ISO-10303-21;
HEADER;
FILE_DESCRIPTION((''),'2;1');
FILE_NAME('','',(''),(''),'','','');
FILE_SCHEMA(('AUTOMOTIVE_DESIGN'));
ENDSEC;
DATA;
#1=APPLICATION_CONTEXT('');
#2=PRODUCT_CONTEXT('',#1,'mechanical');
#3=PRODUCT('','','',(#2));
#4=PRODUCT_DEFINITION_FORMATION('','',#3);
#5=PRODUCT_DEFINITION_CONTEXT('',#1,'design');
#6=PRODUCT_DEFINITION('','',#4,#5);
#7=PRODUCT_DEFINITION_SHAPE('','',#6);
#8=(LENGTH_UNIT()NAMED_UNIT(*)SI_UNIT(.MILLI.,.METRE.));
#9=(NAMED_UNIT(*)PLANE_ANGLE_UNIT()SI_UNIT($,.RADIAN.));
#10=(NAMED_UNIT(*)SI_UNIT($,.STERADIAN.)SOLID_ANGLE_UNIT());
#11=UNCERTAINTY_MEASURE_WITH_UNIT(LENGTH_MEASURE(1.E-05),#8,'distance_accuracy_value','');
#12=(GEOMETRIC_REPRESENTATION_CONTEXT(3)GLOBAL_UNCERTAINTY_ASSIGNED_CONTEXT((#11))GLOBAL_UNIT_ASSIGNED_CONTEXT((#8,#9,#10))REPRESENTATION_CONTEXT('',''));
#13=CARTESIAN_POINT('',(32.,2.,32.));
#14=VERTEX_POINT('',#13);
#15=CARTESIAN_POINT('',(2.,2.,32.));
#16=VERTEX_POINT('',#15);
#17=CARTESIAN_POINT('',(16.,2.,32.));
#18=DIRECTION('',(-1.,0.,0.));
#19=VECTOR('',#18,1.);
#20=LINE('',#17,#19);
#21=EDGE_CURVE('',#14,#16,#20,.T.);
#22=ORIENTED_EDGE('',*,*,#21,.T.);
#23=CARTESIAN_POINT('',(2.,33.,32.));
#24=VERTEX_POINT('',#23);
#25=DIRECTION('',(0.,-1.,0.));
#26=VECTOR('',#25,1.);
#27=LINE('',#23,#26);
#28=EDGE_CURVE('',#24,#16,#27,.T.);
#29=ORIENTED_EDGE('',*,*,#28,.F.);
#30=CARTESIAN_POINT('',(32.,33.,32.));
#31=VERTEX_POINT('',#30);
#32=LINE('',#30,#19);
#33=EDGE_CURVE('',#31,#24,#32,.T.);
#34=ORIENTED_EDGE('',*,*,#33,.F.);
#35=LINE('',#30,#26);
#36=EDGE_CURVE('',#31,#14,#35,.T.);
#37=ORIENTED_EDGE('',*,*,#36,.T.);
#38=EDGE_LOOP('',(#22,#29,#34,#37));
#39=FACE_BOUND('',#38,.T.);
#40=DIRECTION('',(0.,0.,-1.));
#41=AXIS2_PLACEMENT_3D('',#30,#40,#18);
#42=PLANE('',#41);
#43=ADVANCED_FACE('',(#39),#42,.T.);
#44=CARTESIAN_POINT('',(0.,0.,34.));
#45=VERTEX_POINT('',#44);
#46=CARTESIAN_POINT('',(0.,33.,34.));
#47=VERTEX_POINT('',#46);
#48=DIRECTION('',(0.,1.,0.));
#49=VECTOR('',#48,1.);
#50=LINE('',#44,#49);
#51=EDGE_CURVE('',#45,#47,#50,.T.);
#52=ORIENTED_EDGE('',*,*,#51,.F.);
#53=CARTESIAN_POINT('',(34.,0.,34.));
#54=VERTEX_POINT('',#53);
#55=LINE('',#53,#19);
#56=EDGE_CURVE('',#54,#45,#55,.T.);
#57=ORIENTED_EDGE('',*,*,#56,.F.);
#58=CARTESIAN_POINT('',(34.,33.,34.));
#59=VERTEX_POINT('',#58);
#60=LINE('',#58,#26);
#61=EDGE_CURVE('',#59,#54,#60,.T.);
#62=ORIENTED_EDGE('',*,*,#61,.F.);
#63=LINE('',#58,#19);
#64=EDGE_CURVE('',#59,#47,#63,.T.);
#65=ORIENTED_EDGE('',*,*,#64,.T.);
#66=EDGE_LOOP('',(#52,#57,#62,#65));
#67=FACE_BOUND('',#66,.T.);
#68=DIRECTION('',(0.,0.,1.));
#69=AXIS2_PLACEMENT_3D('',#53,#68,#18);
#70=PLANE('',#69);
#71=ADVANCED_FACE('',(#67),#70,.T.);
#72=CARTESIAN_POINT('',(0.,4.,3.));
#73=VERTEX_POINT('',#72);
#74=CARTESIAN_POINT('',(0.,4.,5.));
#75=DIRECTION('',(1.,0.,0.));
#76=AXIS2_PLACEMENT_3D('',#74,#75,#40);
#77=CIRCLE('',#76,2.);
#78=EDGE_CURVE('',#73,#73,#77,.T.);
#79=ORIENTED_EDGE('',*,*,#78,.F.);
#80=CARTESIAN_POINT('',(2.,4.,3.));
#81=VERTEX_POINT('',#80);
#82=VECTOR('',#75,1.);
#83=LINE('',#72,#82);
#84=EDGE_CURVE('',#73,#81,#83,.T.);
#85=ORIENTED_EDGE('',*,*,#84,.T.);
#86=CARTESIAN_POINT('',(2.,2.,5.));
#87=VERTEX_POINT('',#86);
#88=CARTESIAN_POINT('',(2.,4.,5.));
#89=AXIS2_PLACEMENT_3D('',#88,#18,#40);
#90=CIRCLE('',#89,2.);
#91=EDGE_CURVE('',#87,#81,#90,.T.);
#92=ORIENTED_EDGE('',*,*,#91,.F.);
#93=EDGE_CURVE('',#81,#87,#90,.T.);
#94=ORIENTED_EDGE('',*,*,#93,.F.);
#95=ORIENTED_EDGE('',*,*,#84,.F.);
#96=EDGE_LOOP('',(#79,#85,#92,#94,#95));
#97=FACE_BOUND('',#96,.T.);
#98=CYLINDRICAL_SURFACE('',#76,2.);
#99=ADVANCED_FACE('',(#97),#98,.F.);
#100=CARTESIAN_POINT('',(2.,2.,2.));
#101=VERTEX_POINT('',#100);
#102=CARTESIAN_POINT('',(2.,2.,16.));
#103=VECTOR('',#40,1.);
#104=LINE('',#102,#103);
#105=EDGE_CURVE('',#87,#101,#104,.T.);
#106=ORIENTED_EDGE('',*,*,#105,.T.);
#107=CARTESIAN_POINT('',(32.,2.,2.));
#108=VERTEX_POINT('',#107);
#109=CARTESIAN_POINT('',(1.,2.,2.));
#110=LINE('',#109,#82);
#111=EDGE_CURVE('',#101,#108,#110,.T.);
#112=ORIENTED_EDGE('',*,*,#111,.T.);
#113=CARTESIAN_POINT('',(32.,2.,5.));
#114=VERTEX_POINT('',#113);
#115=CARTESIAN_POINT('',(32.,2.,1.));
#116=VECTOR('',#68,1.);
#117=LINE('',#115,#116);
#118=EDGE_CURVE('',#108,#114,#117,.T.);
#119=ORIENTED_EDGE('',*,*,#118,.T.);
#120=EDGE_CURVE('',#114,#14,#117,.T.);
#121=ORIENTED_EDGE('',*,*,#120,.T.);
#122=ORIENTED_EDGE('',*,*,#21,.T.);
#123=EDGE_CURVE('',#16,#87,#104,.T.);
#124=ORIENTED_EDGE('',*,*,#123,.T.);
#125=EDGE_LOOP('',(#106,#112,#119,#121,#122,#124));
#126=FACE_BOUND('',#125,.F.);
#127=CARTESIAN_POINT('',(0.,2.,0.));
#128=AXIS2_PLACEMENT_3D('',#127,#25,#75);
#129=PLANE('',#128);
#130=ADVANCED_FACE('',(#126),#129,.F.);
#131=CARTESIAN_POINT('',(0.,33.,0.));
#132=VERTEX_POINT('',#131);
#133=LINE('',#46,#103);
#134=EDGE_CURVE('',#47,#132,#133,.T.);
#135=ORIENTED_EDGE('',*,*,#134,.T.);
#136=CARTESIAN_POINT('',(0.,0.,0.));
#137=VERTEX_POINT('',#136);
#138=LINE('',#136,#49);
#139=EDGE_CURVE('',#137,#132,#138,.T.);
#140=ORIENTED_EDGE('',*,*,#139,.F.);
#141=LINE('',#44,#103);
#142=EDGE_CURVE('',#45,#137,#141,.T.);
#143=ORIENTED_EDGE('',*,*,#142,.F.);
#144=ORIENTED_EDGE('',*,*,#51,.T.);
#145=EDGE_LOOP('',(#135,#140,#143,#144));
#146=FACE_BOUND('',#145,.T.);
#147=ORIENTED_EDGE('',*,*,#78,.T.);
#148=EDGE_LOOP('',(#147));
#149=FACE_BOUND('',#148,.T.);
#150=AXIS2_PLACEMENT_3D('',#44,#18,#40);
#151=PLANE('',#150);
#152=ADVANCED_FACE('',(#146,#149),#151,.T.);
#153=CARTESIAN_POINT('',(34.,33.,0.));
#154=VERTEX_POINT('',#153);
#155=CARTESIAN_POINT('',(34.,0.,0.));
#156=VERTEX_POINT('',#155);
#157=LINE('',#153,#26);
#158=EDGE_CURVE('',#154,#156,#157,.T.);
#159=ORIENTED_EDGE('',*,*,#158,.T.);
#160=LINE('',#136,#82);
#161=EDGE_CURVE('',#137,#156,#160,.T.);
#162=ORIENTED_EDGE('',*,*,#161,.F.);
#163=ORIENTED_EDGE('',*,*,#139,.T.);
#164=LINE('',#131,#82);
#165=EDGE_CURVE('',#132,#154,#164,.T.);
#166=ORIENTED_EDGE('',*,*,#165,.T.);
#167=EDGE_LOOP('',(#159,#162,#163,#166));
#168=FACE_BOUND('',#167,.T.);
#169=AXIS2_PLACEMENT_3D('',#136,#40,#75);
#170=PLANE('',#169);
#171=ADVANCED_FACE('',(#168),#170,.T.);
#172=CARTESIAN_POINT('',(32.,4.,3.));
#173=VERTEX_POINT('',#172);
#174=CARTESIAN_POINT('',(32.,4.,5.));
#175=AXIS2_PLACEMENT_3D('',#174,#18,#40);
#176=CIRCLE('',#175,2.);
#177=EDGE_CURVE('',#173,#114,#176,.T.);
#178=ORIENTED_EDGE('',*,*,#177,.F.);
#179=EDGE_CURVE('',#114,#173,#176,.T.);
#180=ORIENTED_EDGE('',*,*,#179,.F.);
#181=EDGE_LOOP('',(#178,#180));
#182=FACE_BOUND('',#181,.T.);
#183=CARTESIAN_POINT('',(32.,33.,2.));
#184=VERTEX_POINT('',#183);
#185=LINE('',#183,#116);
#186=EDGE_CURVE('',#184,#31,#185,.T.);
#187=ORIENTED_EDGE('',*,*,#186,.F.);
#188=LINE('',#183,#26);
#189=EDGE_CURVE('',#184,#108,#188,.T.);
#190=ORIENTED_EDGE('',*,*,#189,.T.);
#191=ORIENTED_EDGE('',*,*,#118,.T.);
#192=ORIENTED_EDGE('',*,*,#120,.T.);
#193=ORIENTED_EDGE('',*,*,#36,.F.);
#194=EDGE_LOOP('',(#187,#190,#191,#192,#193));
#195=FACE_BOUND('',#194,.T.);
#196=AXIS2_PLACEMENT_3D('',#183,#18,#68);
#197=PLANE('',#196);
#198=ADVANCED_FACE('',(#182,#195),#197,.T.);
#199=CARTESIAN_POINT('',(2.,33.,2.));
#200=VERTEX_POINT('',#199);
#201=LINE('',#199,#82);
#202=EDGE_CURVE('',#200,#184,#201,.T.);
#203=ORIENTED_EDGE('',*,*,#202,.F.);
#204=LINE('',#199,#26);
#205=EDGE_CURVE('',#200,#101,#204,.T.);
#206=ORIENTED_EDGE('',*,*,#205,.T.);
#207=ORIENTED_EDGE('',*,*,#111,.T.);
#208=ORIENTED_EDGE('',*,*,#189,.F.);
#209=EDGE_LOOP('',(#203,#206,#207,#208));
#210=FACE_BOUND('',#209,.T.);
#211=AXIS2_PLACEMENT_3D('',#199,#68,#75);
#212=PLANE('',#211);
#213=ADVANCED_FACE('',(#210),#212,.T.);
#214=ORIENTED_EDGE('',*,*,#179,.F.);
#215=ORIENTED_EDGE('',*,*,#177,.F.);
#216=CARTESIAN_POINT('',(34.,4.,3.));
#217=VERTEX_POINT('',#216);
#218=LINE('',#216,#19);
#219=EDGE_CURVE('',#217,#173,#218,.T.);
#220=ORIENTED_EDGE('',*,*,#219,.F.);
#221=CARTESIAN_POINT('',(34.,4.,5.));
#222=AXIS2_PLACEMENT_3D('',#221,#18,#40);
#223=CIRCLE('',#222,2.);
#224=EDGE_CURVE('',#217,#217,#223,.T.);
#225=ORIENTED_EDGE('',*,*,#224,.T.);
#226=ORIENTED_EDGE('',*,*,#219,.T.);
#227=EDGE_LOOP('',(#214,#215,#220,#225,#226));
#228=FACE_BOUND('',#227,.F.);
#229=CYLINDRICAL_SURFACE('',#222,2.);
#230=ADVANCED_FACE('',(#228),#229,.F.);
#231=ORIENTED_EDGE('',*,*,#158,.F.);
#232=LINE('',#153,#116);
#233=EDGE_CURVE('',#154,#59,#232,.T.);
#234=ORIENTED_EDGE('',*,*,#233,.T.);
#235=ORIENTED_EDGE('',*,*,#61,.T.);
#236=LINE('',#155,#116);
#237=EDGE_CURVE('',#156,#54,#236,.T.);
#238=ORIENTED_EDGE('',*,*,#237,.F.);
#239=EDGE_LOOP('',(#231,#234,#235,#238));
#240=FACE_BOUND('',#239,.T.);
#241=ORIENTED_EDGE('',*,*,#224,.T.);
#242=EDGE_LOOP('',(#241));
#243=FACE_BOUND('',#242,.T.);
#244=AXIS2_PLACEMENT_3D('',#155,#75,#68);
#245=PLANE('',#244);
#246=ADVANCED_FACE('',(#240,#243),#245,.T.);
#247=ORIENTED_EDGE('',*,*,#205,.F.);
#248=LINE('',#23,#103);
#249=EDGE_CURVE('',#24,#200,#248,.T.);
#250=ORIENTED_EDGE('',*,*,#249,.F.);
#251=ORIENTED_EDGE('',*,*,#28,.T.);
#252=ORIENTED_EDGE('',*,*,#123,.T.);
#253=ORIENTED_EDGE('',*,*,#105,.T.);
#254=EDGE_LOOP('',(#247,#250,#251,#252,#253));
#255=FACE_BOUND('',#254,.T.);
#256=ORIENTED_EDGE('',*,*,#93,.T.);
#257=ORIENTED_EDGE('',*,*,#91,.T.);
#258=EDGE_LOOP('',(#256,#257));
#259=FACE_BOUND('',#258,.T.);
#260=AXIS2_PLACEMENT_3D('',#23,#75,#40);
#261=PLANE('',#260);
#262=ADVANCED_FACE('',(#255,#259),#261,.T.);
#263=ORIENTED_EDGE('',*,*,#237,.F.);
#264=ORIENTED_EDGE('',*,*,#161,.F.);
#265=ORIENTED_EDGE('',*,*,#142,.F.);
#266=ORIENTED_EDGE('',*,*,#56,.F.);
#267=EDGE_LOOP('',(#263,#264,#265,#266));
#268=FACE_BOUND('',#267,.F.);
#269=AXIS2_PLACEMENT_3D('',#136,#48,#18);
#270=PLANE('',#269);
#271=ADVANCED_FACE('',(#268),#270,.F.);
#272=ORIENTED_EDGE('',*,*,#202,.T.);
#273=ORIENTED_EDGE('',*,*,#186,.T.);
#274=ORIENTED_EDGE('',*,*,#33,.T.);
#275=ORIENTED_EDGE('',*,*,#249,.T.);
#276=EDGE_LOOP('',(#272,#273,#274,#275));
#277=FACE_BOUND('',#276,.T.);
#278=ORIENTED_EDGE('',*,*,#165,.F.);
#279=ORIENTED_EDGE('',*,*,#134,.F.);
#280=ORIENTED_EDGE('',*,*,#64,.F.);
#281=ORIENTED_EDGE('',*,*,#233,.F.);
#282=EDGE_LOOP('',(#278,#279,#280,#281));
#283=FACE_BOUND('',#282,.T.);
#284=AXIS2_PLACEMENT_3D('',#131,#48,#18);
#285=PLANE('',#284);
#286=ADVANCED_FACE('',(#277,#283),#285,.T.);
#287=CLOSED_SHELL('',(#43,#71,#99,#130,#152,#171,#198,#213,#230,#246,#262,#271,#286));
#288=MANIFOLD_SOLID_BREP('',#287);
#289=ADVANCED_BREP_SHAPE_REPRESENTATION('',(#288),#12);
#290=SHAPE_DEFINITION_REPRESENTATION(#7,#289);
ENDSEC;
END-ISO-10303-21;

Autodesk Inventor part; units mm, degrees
ref_plane "YZ Plane" through (0, 0, 0) normal (1, 0, 0) x (0, 1, 0)
ref_plane "XZ Plane" through (0, 0, 0) normal (0, 1, 0) x (-1, 0, 0)
ref_plane "XY Plane" through (0, 0, 0) normal (0, 0, 1) x (1, 0, 0)
sketch "Sketch1" plane through (0, 0, 0) normal (0, 1, 0) x (-1, 0, 0)
  line L0 (0, 0) -> (-34, 0)
  line L1 (-34, 0) -> (-34, 34)
  line L2 (-34, 34) -> (0, 34)
  line L3 (0, 34) -> (0, 0)
  dimension "d0" = 34
  dimension "d1" = 34
extrude "Extrusion1" add sketch "Sketch1" along normal blind 33
sketch "Sketch2" plane through (0, 33, 0) normal (0, 1, 0) x (1, 0, 0)
  line L0 (0, -34) -> (34, -34) projected
  line L1 (34, -34) -> (34, 0) projected
  line L2 (34, 0) -> (0, 0) projected
  line L3 (0, 0) -> (0, -34) projected
  line L4 (2, -2) -> (32, -2)
  line L5 (32, -2) -> (32, -32)
  line L6 (32, -32) -> (2, -32)
  line L7 (2, -32) -> (2, -2)
  dimension "d4" = 2
extrude "Extrusion2" cut sketch "Sketch2" against normal blind 36 contours L4 L5 L6 L7
sketch "Sketch3" plane through (34, 0, 34) normal (1, 0, 0) x (0, 0, -1)
  line L0 (0, 0) -> (34, 0) projected
  line L1 (0, 33) -> (34, 33) projected
  line L2 (2, 33) -> (32, 33) projected
  line L3 (34, 0) -> (34, 38) projected
  line L4 (34, 0) -> (29, 0)
  line L5 (0, 0) -> (34, 0) projected
  line L6 (29, 0) -> (29, 4)
  line L7 (34, 0) -> (34, 33) projected
  line L8 (0, 0) -> (0, 33) projected
  line L9 (32, 0) -> (2, 0) projected
  line L10 (32, 33) -> (32, 0) projected
  line L11 (2, 33) -> (2, 0) projected
  dimension "d7" = 5
  dimension "d8" = 4
hole "Hole1" at (34, 4, 5) direction (-1, 0, 0) diameter 4 depth 2
ref_plane "Work Plane1" through (17, 33, 32) normal (1, 0, 0) x (0, 0, -1)
mirror "Mirror1" about plane through (17, 33, 32) normal (1, 0, 0) of "Hole1"
sketch "Sketch6" plane through (0, 33, 0) normal (0, 1, 0) x (1, 0, 0)
  point P0 (0, 0)
sketch "Sketch7" plane through (0, 0, 0) normal (0, -1, 0) x (1, 0, 0)
  line L0 (34, 0) -> (0, 0) projected
  line L1 (0, 34) -> (34, 34) projected
  line L2 (34, 0) -> (0, 0)
  line L3 (0, 0) -> (0, 34)
  line L4 (0, 34) -> (34, 34)
  line L5 (34, 34) -> (34, 0)
extrude "Extrusion5" add sketch "Sketch7" against normal blind 2
equation "\"BendRadius\" = Thickness"
equation "\"BendReliefWidth\" = Thickness"
equation "\"BendReliefDepth\" = 0.5 * Thickness"
equation "\"CornerReliefSize\" = 4 * Thickness"
equation "\"MinimumRemnant\" = 2 * Thickness"
equation "\"TransitionRadius\" = BendRadius"
equation "\"JacobiRadiusSize\" = Thickness"
equation "\"GapSize\" = Thickness"
equation "\"Thickness\" = 0.5"
properties part number "waterBallonHolderv1"
